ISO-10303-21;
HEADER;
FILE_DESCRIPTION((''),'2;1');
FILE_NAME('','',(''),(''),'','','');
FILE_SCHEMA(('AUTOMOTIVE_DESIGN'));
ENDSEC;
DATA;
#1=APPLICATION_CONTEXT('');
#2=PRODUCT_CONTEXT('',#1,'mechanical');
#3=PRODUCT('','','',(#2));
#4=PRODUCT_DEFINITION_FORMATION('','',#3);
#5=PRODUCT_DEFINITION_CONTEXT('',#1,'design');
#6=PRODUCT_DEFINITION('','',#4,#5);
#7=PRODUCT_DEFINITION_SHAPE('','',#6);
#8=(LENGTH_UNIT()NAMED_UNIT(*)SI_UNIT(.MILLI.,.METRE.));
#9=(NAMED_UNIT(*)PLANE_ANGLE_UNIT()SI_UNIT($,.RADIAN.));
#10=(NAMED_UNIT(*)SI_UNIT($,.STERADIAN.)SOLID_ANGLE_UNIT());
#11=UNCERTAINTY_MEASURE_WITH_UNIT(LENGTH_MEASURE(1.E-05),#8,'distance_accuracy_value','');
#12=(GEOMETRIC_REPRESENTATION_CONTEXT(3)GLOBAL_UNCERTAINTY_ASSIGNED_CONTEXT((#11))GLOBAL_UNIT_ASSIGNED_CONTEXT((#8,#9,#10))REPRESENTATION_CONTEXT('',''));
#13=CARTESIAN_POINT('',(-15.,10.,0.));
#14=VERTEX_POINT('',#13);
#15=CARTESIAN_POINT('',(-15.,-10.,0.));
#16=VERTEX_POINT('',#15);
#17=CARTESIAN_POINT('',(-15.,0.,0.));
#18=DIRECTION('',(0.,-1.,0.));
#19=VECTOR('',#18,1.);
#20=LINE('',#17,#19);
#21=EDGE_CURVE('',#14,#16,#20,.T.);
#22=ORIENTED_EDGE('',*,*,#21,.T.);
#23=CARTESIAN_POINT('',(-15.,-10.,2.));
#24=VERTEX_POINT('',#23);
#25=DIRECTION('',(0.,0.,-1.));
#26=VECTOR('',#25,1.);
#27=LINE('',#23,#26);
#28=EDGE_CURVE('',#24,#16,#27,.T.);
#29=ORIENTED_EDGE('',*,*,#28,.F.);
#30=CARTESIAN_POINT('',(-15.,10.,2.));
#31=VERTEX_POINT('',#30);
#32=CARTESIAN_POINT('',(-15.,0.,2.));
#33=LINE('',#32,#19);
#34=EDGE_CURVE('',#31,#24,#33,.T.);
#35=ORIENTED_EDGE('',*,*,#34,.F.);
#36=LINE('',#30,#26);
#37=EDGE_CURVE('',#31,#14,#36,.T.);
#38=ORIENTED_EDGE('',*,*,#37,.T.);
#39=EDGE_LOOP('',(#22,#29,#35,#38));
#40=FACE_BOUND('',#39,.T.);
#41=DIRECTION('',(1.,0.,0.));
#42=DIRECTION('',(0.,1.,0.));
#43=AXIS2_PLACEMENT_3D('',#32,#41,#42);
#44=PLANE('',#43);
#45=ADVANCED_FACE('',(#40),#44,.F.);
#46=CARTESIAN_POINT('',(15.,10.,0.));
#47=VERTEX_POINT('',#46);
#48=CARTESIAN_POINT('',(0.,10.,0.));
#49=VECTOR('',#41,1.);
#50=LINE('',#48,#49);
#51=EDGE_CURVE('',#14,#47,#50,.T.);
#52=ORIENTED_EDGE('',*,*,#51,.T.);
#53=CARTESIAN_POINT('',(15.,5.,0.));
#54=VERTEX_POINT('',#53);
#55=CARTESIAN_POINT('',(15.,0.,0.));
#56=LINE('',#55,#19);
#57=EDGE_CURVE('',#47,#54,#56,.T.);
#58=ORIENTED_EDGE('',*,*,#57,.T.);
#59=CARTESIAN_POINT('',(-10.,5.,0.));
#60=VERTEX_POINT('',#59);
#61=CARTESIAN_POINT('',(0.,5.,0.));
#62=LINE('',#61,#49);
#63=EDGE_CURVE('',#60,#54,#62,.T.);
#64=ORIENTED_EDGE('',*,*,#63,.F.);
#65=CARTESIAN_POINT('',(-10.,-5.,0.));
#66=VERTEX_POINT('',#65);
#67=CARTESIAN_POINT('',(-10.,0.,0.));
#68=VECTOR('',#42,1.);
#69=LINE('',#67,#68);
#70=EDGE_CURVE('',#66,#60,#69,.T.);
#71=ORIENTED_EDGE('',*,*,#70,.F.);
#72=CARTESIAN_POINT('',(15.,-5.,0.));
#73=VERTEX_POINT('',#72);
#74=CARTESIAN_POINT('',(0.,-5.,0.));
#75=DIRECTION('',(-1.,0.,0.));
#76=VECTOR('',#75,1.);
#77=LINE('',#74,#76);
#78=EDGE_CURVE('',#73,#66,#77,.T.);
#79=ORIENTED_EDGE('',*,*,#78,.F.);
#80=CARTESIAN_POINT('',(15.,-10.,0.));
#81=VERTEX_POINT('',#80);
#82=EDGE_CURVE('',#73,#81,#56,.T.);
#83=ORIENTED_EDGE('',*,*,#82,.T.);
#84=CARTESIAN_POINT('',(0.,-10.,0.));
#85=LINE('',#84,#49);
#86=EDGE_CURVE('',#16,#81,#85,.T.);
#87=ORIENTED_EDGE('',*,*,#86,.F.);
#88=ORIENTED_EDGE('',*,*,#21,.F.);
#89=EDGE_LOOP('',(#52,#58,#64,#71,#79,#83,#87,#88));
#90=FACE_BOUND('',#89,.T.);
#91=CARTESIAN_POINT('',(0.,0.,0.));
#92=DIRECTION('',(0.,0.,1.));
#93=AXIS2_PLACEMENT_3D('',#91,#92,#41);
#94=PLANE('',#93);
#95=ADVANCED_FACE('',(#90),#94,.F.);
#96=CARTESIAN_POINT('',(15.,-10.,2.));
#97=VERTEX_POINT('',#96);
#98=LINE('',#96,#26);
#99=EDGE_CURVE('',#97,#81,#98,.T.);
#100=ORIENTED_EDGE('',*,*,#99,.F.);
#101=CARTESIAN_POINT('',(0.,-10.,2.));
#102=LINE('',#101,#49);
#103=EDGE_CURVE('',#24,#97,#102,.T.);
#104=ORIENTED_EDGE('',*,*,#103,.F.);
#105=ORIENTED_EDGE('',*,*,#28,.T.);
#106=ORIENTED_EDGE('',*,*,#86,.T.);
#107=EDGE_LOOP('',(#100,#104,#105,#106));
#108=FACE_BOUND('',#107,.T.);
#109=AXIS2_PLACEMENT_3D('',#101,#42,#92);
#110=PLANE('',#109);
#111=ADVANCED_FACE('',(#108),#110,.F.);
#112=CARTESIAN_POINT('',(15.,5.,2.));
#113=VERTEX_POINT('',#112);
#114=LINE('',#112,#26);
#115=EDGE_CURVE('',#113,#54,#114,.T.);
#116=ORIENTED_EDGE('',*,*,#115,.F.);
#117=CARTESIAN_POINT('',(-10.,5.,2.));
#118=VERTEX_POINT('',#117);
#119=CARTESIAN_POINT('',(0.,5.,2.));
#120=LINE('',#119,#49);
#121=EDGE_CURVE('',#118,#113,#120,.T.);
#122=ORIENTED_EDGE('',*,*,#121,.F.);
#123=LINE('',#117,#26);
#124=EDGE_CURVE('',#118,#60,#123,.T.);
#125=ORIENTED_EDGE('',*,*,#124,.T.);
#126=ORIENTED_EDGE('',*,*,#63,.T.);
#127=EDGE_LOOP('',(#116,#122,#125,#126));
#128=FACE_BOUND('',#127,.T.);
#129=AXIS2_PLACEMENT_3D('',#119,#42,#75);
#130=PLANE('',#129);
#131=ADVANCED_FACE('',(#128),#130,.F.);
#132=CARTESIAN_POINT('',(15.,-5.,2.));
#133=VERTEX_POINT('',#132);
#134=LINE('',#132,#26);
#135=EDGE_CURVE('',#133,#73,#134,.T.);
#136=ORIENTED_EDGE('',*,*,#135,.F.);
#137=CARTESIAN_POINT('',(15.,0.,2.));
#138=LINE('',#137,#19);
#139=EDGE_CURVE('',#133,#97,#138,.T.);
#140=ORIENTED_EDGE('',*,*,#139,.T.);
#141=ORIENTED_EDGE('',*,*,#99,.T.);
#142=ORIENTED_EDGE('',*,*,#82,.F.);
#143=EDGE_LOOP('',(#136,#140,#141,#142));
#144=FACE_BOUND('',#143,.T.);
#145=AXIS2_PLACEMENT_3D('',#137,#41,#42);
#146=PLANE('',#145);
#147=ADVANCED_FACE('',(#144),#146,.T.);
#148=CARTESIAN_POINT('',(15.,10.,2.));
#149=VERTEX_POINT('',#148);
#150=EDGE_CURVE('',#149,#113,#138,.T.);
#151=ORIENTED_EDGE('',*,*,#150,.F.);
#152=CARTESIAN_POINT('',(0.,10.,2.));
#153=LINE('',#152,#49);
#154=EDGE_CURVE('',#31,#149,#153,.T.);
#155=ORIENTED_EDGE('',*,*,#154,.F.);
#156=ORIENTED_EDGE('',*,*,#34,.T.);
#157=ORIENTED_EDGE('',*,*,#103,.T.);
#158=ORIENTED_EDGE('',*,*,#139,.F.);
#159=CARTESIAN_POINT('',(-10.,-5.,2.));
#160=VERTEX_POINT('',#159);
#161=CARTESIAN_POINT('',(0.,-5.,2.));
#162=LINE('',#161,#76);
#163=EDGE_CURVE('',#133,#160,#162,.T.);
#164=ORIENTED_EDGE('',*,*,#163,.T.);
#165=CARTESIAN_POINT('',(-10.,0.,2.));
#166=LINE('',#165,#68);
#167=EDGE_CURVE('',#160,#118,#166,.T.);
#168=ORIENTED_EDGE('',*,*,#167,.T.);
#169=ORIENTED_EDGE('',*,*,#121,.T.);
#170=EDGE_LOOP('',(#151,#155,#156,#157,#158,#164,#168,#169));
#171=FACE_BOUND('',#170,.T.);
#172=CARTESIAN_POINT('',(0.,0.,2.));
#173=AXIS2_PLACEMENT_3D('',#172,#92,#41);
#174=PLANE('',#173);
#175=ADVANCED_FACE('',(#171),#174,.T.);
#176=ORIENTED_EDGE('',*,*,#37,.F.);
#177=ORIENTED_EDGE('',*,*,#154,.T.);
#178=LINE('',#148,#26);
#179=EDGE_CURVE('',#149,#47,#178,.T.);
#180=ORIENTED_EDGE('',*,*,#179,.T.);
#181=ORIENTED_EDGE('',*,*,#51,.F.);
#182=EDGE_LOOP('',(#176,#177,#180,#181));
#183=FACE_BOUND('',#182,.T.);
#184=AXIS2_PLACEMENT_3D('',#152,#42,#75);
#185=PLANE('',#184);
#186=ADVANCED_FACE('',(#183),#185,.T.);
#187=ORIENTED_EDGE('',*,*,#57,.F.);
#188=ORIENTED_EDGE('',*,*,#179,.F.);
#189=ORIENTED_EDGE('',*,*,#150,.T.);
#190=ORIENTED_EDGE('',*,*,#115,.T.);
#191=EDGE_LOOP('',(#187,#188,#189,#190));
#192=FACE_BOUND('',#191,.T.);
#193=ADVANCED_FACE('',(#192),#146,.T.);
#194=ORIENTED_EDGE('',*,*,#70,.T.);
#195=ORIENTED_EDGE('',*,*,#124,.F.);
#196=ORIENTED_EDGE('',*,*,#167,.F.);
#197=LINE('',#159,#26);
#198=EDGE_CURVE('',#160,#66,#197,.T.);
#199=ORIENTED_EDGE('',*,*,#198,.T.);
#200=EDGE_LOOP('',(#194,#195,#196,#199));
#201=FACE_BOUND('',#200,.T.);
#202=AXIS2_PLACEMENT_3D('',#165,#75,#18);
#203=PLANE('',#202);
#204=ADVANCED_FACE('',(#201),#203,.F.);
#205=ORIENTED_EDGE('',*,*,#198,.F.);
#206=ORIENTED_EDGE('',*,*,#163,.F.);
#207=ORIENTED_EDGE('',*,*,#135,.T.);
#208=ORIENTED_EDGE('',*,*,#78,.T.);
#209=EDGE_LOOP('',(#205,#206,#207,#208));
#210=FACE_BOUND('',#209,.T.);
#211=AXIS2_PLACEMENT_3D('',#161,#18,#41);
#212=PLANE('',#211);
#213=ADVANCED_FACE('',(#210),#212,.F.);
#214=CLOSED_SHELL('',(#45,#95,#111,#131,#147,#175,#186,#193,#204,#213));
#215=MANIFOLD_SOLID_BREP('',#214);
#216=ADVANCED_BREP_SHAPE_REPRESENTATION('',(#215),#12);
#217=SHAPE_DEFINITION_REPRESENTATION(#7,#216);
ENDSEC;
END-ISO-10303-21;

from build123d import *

# Parameters (mm, degrees)
BOSS_EXTRUDE1_DEPTH = 2


with BuildPart() as part:
    # Sketch1 → Boss-Extrude1 (new body)
    with BuildSketch(Plane.XY):
        Polygon((-15, 10), (-15, 0), (-10, 0), (-10, 5), (7.5, 5), (15, 10), align=None)
        Polygon((-7.5, -5), (-15, -10), (15, -10), (15, -5), align=None)
        Polygon((15, 10), (7.5, 5), (15, 5), align=None)
        Polygon((-15, 0), (-15, -10), (-7.5, -5), (-10, -5), (-10, 0), align=None)
    extrude(amount=BOSS_EXTRUDE1_DEPTH)


solid = part.part
